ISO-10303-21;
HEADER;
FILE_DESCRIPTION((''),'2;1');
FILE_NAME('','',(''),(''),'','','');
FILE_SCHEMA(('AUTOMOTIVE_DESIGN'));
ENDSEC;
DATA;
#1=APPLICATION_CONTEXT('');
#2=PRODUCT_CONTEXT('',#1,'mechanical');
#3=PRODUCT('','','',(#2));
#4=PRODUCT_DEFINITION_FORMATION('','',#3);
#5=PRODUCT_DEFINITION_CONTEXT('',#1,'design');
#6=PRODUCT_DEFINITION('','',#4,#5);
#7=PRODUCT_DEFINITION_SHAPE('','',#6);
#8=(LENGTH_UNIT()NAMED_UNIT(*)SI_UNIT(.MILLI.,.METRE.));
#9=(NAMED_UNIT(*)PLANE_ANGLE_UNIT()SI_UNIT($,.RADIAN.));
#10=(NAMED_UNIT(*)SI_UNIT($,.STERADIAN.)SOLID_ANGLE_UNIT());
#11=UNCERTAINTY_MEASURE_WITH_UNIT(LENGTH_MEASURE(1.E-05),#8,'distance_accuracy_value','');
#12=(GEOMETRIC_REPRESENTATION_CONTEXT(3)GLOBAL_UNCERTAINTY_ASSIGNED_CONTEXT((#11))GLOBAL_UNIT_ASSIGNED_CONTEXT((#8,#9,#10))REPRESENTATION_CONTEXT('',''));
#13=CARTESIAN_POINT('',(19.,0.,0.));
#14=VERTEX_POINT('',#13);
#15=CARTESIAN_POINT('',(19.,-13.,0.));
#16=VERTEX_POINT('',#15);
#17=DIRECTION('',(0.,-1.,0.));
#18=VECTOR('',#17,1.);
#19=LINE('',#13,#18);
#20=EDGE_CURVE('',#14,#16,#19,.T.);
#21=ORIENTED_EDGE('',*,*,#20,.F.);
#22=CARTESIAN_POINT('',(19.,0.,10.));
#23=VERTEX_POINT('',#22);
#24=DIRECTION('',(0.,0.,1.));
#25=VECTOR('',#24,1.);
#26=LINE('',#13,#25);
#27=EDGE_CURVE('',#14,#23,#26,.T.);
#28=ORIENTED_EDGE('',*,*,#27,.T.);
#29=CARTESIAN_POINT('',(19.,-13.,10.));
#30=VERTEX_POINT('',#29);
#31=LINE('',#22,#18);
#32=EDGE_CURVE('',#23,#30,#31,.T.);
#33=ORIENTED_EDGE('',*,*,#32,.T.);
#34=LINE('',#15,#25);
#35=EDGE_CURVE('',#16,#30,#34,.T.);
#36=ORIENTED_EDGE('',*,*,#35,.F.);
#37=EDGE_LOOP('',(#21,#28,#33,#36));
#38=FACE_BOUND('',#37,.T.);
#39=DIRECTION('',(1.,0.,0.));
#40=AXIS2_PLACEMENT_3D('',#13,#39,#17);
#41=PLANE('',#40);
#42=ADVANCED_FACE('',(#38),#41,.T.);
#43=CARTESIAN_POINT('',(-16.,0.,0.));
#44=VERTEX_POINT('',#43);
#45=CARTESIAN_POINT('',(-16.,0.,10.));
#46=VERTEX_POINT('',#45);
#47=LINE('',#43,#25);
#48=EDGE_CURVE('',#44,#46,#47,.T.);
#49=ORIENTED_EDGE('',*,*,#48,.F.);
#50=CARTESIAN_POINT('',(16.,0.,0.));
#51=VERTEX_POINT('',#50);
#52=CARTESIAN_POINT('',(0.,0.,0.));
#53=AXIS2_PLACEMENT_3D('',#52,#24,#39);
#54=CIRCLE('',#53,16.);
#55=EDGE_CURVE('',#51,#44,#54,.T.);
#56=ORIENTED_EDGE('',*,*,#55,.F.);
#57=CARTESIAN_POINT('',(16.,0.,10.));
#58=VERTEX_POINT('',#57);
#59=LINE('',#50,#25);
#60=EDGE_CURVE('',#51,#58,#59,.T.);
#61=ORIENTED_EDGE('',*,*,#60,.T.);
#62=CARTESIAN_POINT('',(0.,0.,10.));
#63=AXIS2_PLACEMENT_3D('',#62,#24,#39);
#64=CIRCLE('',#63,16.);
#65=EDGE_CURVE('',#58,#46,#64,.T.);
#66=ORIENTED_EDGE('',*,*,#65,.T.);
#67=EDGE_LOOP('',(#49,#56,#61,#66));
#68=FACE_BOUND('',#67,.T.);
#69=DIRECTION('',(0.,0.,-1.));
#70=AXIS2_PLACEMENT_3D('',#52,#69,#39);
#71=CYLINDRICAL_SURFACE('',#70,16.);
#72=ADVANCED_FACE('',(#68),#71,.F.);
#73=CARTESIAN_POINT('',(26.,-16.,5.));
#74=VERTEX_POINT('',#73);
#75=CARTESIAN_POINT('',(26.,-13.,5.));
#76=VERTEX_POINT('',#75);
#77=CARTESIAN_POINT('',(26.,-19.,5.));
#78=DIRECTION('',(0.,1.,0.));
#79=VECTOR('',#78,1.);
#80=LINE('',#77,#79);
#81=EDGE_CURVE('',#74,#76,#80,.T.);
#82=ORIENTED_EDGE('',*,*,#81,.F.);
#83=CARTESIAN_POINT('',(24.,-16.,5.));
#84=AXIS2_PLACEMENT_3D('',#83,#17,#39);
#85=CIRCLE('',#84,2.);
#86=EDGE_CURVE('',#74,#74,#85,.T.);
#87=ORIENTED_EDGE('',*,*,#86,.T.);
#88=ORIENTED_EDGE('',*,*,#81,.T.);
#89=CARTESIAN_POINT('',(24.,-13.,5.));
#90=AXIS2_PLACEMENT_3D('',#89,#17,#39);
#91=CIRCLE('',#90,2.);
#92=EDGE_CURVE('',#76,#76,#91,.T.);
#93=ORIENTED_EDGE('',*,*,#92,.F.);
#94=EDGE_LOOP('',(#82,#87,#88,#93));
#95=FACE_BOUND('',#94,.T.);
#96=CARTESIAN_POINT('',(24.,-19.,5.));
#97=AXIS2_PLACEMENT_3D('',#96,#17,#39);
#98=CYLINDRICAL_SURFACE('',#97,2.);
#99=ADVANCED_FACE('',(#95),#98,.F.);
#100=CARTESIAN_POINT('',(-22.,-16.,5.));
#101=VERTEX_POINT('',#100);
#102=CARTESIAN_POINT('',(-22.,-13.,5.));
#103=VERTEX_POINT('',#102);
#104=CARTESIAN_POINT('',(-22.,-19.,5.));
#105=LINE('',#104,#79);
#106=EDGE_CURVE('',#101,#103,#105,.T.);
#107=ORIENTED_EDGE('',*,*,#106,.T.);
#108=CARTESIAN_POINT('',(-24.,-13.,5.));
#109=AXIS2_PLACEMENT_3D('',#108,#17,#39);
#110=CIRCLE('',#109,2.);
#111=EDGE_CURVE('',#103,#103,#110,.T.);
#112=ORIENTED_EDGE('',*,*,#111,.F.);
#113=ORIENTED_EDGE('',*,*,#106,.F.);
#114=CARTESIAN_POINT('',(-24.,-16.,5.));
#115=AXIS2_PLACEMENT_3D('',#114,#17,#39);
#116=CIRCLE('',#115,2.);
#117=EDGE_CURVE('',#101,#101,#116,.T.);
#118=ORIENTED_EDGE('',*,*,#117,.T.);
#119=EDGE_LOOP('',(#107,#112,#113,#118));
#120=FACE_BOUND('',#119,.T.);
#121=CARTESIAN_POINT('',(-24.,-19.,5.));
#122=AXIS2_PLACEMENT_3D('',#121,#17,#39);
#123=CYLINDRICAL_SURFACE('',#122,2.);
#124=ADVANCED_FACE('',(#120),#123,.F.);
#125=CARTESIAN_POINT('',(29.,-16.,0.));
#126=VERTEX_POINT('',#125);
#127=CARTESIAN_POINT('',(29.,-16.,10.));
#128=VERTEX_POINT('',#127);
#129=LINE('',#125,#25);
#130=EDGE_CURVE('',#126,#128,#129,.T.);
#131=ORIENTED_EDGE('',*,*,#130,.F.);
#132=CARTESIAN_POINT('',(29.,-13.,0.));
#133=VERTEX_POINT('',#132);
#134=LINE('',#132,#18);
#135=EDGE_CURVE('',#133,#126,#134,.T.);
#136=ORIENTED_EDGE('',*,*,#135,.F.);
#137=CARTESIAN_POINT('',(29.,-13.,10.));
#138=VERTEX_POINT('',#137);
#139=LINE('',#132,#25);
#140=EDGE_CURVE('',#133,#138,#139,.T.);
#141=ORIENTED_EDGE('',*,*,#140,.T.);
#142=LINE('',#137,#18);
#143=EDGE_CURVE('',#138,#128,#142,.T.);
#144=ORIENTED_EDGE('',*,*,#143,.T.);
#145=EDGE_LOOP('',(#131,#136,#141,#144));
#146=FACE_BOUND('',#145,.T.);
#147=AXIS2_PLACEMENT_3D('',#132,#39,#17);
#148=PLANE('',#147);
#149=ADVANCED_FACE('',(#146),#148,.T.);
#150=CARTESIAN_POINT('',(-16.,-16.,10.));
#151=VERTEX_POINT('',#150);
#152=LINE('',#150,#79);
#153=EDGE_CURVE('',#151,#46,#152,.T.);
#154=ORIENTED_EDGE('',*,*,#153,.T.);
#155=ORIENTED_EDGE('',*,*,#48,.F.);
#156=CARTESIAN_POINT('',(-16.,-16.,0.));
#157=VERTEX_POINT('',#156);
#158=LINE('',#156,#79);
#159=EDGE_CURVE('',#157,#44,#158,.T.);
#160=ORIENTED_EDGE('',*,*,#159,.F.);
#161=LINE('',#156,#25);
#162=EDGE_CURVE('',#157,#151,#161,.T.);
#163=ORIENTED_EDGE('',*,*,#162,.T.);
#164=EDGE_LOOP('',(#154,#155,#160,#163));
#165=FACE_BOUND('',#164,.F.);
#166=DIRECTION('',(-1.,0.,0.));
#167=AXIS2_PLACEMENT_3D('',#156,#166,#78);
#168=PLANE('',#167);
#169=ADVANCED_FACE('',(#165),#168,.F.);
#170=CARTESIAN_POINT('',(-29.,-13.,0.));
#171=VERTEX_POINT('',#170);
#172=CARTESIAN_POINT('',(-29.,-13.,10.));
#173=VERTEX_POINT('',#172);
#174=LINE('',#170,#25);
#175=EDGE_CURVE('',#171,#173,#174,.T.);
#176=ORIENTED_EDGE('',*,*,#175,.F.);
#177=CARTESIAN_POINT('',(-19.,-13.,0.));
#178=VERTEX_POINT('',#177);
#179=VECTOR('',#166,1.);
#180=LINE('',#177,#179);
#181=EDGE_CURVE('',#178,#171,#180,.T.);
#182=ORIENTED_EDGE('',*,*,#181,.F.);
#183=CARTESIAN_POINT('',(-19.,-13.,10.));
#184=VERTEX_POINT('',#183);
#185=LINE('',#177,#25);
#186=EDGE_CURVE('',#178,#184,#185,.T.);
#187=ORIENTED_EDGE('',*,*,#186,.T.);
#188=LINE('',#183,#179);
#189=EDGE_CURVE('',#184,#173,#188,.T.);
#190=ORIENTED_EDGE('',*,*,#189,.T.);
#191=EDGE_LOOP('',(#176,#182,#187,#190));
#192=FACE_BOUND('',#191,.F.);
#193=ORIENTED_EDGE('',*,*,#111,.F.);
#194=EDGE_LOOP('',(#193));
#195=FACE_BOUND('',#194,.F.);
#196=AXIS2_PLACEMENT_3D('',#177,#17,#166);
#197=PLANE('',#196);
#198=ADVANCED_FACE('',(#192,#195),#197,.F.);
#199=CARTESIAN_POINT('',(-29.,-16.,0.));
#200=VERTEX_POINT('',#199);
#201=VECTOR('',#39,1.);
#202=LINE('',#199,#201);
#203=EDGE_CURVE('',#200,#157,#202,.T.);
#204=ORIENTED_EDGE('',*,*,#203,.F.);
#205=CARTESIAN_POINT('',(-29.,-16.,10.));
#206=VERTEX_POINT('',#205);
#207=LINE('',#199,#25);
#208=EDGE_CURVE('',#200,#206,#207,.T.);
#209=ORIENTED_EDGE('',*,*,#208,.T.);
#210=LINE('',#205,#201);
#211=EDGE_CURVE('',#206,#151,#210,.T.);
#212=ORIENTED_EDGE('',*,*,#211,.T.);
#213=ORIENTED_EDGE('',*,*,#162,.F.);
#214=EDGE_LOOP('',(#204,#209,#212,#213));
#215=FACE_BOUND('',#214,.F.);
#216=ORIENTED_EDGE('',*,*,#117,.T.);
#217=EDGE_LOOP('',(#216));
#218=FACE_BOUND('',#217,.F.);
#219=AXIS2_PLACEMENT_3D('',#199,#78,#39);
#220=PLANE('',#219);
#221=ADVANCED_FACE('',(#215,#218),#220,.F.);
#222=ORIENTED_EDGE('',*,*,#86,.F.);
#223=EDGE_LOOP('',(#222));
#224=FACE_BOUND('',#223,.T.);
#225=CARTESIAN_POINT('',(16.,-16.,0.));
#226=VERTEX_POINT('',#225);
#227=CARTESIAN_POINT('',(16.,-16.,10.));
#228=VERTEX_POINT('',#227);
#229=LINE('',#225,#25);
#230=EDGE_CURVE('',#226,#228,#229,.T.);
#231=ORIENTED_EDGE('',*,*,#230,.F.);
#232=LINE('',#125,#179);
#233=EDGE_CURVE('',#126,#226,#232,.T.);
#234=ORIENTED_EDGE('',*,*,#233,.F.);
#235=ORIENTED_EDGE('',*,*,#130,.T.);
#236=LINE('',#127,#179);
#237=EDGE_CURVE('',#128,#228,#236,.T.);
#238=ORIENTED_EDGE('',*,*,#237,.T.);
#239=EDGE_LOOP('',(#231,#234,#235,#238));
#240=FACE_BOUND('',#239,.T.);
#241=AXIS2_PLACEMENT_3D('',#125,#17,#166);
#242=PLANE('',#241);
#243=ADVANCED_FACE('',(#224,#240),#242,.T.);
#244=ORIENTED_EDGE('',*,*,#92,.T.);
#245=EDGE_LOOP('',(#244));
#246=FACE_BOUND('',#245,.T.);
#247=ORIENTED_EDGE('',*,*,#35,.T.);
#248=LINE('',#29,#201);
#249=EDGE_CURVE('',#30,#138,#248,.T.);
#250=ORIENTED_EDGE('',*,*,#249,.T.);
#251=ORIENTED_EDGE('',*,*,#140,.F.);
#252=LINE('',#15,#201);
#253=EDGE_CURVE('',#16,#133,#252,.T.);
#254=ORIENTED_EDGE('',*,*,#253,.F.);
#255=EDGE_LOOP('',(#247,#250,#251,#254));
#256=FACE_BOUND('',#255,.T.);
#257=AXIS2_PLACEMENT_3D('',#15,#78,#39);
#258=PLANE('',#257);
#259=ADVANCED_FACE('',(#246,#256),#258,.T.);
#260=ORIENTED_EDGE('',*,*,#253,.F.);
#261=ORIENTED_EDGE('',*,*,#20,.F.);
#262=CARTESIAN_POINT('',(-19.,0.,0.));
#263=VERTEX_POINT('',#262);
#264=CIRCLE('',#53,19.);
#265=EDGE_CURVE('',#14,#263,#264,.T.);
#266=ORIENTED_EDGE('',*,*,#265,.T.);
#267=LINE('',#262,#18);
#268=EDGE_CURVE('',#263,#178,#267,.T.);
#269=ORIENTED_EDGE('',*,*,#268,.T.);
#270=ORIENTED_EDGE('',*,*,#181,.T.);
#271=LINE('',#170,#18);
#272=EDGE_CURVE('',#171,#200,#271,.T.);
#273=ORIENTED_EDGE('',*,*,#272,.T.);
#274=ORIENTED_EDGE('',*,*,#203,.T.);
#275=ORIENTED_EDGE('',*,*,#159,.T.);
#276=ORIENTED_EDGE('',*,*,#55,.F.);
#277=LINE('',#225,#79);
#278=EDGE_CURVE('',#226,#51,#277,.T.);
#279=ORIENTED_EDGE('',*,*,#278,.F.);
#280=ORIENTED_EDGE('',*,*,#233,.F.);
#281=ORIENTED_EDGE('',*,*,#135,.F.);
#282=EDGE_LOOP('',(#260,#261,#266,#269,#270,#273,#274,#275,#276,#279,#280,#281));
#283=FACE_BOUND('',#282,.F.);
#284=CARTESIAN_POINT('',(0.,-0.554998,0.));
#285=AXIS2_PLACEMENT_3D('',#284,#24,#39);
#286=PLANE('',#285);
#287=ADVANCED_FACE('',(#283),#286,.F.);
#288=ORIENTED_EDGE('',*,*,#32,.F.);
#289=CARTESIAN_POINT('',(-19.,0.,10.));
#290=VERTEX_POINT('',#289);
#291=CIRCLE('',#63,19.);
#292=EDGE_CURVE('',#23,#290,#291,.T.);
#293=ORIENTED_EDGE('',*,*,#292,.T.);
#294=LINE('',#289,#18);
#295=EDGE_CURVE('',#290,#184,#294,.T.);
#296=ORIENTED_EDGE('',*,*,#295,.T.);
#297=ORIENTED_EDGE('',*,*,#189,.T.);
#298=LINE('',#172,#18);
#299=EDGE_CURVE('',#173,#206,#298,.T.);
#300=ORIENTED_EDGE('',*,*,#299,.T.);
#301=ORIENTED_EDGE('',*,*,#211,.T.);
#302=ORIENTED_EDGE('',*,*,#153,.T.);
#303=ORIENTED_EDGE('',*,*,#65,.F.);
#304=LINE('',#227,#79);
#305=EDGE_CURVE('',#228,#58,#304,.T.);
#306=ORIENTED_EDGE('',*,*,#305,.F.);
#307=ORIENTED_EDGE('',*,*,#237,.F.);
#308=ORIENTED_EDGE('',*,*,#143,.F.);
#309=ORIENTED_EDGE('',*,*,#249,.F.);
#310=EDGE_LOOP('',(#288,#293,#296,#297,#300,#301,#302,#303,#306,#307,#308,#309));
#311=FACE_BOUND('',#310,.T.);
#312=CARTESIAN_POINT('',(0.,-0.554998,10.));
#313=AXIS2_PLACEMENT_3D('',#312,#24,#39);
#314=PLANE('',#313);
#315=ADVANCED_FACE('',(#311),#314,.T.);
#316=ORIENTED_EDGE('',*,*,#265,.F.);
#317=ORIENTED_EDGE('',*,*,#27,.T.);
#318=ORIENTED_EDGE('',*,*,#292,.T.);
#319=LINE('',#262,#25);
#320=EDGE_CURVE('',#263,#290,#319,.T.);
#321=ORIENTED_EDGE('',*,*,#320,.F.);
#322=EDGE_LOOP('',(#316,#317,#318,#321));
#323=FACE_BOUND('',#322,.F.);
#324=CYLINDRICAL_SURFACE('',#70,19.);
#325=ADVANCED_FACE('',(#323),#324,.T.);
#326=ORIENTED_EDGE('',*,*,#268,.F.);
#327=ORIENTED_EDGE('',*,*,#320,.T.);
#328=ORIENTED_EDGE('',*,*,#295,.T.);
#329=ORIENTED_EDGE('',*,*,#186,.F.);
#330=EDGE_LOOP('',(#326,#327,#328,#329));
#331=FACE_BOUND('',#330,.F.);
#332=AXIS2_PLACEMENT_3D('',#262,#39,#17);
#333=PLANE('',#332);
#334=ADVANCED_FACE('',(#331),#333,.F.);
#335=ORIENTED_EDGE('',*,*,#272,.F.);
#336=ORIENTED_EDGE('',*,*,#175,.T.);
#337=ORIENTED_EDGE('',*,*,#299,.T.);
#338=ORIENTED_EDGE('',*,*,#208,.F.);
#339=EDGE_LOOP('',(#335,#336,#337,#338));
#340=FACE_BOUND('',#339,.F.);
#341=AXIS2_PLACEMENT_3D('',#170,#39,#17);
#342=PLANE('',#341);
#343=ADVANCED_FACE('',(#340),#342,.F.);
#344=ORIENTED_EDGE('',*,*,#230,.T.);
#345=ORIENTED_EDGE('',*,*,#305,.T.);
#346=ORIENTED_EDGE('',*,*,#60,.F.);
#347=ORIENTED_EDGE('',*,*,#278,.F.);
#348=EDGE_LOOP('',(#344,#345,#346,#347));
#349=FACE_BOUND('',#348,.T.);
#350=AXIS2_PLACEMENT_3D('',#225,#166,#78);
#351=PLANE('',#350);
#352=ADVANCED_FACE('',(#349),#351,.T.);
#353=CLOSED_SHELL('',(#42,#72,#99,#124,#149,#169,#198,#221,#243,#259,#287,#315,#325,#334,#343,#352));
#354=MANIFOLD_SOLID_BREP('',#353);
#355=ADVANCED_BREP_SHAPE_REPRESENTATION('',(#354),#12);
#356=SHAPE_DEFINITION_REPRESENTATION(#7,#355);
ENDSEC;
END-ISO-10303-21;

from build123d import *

# Parameters (mm, degrees)
CYLINDER001_R     = 2
CYLINDER001_DEPTH = 10
CYLINDER_R        = 2
CYLINDER_DEPTH    = 10
EXTRUDE_DEPTH     = 10


with BuildPart() as cylinder001:
    # Cylinder001 → Cylinder001 (new body)
    with BuildSketch(Plane(origin=(-24, -19, 5), x_dir=(1, 0, 0), z_dir=(0, 1, 0))):
        Circle(CYLINDER001_R)
    extrude(amount=CYLINDER001_DEPTH)


with BuildPart() as cylinder:
    # Cylinder → Cylinder (new body)
    with BuildSketch(Plane(origin=(24, -19, 5), x_dir=(1, 0, 0), z_dir=(0, 1, 0))):
        Circle(CYLINDER_R)
    extrude(amount=CYLINDER_DEPTH)


with BuildPart() as cut001:
    # Sketch → Extrude (new body)
    with BuildSketch(Plane.XY):
        with BuildLine():
            ThreePointArc((19, 0), (0, 19), (-19, 0))
            Line((-19, 0), (-19, -13))
            Line((-19, -13), (-29, -13))
            Line((-29, -13), (-29, -16))
            Line((-29, -16), (-16, -16))
            Line((-16, -16), (-16, 0))
            ThreePointArc((16, 0), (0, 16), (-16, 0))
            Line((16, -16), (16, 0))
            Line((29, -16), (16, -16))
            Line((29, -13), (29, -16))
            Line((19, -13), (29, -13))
            Line((19, 0), (19, -13))
        make_face()
    extrude(amount=EXTRUDE_DEPTH)

    # Cut: cut Cylinder
    add(cylinder.part, mode=Mode.SUBTRACT)

    # Cut001: cut Cylinder001
    add(cylinder001.part, mode=Mode.SUBTRACT)


solid = cut001.part
